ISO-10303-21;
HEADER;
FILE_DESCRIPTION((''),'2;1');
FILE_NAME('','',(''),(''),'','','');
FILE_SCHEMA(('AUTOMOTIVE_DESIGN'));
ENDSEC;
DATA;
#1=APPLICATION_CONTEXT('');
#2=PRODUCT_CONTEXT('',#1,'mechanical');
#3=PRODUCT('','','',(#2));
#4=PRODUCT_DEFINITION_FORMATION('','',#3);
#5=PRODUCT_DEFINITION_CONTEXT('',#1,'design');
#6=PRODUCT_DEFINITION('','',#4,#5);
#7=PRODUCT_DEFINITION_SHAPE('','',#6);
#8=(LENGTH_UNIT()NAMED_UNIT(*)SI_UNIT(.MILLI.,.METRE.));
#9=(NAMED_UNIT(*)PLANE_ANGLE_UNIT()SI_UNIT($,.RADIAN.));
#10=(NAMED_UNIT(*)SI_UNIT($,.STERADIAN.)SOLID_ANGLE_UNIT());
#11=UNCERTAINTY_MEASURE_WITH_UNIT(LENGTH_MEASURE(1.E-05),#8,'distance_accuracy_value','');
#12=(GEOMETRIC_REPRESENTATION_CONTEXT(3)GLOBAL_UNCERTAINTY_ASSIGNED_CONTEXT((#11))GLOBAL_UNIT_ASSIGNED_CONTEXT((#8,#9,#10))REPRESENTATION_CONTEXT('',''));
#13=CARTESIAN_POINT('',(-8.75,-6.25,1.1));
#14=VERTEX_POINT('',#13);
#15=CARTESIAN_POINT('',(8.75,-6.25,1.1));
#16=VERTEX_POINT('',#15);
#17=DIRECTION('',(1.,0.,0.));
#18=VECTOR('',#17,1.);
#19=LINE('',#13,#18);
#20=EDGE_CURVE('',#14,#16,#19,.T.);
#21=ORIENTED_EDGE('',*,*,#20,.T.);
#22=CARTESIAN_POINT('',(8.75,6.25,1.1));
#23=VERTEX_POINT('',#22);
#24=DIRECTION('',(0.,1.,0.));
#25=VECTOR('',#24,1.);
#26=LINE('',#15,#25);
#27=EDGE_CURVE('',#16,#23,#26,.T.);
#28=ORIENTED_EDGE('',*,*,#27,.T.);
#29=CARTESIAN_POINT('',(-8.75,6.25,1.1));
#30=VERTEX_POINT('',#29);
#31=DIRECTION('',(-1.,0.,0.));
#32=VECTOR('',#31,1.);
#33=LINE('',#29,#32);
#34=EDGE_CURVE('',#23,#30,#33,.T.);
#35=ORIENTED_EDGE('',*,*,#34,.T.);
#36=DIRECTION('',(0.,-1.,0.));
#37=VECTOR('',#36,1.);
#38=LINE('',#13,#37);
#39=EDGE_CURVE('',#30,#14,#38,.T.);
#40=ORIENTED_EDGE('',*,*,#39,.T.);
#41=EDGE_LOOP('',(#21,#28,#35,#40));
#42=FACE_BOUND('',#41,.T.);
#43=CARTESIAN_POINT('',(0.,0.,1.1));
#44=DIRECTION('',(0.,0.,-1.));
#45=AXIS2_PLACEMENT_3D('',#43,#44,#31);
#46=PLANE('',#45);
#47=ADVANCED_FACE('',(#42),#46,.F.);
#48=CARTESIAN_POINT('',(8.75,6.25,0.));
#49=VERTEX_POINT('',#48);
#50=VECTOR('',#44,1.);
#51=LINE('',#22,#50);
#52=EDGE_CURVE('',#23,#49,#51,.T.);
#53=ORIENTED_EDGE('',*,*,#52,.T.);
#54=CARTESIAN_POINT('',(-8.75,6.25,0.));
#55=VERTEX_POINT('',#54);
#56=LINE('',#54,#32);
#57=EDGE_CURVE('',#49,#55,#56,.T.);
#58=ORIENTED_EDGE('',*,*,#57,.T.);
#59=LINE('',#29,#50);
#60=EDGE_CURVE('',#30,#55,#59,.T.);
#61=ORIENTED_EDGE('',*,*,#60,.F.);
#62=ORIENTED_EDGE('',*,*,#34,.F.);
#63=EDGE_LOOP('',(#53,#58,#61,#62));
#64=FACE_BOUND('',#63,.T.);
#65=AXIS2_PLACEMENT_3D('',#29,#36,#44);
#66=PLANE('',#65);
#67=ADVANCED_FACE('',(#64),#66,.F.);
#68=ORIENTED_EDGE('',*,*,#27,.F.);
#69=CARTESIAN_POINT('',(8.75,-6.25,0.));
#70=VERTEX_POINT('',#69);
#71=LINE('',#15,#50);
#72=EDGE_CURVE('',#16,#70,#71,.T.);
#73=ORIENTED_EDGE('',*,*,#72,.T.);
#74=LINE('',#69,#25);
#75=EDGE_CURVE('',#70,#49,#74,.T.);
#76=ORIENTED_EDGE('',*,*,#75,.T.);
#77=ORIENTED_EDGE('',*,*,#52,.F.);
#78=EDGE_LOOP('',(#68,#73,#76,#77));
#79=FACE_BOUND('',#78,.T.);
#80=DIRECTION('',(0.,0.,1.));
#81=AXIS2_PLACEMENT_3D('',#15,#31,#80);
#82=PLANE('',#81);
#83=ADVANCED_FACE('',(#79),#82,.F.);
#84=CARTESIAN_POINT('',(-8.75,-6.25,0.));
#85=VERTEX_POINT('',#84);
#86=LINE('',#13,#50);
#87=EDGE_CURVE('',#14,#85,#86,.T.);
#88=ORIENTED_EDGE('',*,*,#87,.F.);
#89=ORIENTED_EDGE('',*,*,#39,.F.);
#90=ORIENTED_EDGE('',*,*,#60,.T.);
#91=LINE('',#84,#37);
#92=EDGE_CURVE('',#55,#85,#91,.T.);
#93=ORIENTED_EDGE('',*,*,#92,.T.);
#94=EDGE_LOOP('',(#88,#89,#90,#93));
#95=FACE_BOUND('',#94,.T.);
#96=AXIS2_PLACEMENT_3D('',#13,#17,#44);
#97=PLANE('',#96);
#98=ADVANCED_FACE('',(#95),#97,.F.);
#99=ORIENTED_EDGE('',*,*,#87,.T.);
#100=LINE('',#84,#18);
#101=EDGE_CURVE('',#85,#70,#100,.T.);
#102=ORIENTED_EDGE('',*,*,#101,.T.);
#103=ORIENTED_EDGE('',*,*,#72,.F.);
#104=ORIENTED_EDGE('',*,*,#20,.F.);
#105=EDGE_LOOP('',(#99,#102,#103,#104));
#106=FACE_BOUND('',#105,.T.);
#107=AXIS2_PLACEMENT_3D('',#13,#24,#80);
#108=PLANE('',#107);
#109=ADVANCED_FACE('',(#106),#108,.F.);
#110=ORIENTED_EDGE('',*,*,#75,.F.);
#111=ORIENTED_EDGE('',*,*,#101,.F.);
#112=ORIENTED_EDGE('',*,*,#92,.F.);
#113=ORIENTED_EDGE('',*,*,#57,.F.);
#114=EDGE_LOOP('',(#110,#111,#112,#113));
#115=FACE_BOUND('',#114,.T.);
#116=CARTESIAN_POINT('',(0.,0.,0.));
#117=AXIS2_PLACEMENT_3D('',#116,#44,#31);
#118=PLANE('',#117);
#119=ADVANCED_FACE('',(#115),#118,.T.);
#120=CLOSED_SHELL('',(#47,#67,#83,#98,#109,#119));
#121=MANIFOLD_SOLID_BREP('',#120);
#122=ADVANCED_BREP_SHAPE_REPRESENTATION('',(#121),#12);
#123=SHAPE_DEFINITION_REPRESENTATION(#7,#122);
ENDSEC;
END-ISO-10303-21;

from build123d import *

# Parameters (mm, degrees)
SKETCH_1_W      = 17.5
SKETCH_1_H      = 12.5
EXTRUDE_1_DEPTH = 1.1


with BuildPart() as part:
    # 草图1 → 凸台-拉伸1 (new body)
    with BuildSketch(Plane.XY):
        Rectangle(SKETCH_1_W, SKETCH_1_H)
    extrude(amount=EXTRUDE_1_DEPTH)


solid = part.part
